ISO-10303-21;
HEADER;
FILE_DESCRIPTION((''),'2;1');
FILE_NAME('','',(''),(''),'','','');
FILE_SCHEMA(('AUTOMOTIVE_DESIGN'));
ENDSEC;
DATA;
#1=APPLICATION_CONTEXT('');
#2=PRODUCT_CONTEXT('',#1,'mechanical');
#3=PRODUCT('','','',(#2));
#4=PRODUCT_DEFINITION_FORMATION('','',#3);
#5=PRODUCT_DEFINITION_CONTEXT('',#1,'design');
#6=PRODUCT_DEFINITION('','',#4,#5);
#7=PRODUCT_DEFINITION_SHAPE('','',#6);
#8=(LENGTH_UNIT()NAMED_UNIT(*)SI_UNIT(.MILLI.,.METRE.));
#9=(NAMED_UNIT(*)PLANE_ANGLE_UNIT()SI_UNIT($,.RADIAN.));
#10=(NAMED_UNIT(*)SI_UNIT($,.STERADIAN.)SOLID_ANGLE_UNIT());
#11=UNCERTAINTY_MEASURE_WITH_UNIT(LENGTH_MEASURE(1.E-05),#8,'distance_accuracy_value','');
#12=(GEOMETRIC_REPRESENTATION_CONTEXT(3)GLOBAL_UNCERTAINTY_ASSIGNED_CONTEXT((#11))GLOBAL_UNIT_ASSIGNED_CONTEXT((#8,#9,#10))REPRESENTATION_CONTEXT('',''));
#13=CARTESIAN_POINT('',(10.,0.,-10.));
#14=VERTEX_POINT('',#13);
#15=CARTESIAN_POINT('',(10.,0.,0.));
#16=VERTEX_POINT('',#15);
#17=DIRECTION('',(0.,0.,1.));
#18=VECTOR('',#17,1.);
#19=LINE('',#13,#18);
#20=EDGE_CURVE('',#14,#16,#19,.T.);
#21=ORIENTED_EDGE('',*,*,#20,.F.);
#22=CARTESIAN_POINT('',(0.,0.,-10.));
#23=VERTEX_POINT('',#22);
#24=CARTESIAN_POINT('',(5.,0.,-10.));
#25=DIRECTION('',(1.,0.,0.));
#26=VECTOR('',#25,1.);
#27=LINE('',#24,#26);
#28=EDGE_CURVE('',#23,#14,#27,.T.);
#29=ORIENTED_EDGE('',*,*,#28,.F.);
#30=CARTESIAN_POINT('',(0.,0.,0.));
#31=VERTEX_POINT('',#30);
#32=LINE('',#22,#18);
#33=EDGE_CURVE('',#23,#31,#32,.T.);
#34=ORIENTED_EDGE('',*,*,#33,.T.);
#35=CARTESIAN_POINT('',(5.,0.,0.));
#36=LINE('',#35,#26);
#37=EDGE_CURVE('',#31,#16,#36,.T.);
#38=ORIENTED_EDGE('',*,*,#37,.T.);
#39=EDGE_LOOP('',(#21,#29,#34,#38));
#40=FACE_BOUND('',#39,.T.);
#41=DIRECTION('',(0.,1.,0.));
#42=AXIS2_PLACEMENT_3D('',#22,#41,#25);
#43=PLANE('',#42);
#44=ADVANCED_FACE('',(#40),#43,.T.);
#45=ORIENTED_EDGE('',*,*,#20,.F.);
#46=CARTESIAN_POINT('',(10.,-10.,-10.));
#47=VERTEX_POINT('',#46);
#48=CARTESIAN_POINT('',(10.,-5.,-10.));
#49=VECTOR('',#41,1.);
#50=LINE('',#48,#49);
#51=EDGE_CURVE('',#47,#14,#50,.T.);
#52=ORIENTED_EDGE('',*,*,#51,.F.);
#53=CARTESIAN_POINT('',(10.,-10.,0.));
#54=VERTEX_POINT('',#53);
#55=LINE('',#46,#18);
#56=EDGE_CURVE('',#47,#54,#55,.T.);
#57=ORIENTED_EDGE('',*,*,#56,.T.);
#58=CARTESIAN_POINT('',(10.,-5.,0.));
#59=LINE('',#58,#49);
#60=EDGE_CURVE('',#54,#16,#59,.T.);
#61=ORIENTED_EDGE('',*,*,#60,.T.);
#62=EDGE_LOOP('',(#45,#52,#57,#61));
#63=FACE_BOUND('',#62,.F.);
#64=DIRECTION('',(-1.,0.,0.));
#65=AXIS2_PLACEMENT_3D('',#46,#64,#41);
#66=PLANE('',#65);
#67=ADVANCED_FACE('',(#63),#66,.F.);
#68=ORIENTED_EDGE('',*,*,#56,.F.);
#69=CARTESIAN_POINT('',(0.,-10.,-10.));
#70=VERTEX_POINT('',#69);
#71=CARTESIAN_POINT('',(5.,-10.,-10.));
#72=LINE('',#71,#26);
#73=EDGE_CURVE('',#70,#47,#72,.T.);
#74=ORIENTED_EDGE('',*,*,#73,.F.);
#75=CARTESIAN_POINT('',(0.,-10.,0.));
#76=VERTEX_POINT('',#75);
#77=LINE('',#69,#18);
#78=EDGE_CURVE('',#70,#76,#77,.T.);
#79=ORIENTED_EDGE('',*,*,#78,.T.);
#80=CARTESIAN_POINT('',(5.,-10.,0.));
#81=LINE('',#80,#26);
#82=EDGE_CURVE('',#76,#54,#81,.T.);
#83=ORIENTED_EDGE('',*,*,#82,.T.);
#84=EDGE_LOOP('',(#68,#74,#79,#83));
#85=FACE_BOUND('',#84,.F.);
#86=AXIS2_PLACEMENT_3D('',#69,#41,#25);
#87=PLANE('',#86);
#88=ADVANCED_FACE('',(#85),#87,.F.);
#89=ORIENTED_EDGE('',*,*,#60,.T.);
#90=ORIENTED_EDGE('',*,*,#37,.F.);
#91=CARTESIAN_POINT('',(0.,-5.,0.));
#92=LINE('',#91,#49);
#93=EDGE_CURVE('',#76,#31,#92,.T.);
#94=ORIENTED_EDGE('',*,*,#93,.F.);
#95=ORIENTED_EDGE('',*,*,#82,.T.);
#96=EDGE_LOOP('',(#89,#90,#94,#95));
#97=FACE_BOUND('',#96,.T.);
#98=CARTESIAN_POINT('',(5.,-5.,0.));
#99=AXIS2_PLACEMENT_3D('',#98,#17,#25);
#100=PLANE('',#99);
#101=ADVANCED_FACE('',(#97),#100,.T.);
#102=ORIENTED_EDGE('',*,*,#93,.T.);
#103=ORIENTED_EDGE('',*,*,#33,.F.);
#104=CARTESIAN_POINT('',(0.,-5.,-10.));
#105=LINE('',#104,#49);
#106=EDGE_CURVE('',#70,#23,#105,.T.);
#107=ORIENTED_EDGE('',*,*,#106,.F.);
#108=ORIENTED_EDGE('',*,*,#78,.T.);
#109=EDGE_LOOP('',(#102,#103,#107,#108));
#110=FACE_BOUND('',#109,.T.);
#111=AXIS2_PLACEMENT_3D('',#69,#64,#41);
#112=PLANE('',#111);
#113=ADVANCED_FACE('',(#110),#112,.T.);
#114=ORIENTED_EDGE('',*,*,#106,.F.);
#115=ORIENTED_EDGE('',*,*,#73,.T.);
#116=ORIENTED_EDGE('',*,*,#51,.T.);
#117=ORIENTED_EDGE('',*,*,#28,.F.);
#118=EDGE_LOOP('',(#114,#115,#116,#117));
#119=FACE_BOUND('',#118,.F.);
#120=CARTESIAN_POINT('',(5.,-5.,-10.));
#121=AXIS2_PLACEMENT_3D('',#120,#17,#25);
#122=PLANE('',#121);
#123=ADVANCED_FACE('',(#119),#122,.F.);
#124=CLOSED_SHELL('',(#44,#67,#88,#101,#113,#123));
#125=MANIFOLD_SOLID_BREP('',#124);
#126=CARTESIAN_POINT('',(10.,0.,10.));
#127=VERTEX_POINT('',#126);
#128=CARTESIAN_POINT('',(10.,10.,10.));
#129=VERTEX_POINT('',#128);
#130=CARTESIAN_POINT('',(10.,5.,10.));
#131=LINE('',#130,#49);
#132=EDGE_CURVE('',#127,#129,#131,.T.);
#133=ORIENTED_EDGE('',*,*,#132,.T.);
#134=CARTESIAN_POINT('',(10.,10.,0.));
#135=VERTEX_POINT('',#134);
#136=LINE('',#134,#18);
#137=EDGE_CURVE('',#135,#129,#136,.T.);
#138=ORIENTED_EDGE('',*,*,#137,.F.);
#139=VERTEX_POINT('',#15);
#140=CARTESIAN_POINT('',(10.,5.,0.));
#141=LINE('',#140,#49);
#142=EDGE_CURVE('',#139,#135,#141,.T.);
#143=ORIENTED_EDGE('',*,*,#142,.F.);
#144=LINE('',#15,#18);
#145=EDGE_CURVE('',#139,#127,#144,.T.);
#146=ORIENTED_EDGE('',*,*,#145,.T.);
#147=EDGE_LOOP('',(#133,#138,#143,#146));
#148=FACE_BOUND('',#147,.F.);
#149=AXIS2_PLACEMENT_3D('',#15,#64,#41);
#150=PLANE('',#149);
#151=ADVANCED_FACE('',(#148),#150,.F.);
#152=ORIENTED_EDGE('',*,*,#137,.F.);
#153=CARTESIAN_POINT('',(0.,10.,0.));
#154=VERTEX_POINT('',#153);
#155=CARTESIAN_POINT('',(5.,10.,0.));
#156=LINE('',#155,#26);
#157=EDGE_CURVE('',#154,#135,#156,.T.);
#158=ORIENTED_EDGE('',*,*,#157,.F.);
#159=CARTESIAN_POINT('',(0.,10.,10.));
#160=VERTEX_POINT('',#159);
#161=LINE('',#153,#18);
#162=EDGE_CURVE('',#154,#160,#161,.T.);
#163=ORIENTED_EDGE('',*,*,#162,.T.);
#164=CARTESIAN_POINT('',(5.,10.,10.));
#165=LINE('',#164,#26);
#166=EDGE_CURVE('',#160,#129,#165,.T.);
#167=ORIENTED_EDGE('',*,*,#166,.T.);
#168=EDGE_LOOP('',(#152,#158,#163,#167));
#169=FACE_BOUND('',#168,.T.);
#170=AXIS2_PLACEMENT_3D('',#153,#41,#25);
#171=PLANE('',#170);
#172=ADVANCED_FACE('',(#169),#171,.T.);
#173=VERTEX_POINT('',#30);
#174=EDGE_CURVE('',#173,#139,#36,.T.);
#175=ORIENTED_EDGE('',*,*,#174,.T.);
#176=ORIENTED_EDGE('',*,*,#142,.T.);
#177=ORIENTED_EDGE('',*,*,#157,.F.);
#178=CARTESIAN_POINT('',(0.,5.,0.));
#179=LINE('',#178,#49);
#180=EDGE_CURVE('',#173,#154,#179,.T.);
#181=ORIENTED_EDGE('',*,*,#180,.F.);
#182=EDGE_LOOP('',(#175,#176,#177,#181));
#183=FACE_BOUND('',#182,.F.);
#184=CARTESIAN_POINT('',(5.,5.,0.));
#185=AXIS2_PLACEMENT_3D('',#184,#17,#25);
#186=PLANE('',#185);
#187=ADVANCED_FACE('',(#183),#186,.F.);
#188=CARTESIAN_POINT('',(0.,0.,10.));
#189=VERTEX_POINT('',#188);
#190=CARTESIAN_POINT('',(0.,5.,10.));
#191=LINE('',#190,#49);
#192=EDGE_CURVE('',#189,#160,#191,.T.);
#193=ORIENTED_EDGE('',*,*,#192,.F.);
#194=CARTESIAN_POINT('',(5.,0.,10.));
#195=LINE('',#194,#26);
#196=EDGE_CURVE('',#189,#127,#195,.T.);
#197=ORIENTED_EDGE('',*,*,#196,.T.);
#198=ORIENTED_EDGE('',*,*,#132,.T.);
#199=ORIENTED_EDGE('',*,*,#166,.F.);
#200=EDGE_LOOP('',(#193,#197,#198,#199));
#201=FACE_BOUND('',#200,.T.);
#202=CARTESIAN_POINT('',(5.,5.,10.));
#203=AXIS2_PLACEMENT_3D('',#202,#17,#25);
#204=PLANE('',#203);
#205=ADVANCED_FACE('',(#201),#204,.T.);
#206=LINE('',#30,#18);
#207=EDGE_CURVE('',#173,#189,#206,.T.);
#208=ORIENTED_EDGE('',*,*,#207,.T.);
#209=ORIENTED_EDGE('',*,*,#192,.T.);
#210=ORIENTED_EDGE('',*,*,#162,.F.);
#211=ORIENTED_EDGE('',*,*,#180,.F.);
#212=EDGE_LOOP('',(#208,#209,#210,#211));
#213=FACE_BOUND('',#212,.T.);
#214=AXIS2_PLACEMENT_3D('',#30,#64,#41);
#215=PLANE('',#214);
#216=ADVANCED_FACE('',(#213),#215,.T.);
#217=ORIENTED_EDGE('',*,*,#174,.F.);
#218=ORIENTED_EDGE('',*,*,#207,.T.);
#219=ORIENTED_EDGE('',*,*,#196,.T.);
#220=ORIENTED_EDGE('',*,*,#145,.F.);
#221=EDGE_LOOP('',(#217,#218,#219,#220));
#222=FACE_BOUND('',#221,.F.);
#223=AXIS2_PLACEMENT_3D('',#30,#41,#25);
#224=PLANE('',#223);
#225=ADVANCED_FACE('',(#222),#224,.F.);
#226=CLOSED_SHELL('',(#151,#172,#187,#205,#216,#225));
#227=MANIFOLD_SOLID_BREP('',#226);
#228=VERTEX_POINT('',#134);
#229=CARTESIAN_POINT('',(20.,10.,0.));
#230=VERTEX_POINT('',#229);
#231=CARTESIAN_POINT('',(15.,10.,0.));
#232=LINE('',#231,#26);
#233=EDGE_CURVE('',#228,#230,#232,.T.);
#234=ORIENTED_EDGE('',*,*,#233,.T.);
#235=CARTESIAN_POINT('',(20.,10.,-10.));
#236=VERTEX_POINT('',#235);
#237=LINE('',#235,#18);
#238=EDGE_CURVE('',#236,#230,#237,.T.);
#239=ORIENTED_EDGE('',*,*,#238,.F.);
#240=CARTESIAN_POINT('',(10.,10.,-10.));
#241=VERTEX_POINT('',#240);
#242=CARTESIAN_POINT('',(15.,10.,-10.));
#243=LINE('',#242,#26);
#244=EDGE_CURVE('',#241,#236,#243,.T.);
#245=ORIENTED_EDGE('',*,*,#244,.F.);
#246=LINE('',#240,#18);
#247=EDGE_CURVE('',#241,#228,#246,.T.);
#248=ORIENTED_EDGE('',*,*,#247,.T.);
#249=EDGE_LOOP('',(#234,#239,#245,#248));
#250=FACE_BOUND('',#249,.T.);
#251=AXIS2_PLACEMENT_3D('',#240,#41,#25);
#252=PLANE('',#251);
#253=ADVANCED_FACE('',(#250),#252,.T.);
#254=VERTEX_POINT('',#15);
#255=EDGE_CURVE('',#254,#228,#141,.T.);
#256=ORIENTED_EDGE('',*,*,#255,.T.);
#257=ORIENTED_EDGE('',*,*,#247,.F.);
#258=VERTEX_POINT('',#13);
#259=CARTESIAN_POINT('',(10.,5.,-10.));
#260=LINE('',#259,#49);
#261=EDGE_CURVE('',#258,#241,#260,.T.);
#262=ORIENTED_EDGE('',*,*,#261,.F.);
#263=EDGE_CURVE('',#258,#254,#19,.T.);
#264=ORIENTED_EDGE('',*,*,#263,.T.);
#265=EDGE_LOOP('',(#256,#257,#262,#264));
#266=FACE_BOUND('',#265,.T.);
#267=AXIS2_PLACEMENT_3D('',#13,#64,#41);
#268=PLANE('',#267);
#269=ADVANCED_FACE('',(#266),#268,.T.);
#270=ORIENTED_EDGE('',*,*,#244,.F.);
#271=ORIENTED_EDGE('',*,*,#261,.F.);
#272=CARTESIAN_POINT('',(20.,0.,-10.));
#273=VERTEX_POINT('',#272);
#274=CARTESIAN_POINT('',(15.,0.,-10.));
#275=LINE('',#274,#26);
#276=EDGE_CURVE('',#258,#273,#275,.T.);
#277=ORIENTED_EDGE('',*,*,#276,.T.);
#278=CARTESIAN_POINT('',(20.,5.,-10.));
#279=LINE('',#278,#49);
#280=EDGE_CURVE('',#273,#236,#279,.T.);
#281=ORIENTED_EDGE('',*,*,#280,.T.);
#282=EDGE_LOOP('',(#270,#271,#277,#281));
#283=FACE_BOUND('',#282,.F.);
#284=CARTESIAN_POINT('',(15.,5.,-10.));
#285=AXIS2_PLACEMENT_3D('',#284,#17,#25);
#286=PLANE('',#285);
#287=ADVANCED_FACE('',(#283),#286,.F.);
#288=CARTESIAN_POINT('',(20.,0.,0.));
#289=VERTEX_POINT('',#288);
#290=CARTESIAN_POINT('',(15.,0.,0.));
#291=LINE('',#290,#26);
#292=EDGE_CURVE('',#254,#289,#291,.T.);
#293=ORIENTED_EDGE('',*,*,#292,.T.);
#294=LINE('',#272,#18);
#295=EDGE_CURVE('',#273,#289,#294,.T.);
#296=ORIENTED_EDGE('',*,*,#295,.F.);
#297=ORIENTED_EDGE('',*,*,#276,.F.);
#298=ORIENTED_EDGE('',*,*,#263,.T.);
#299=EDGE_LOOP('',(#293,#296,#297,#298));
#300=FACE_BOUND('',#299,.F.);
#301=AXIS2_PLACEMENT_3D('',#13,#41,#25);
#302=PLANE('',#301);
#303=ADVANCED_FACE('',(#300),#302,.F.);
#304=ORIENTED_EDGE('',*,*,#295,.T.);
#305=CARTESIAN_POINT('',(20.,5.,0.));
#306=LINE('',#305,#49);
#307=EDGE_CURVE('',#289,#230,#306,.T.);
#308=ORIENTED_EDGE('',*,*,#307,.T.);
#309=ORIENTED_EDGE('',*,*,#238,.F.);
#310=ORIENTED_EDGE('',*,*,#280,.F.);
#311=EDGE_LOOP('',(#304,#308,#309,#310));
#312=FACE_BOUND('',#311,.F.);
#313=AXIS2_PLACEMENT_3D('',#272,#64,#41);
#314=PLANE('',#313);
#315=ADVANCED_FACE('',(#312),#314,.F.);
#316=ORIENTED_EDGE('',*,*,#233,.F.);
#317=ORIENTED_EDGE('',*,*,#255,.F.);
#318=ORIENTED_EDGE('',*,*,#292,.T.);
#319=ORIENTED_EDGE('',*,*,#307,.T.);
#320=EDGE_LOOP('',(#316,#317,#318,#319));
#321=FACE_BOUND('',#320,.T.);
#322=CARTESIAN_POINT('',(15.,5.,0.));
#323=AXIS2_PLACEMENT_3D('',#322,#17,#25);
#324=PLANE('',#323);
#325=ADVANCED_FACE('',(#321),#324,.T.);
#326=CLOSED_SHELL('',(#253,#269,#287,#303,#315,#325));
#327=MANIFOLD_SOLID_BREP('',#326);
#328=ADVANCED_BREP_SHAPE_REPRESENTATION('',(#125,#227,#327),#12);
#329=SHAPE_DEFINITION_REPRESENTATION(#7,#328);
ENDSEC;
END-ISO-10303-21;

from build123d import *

# Parameters (mm, degrees)
BOX_W        = 10
BOX_H        = 10
BOX_DEPTH    = 10
BOX001_W     = 10
BOX001_H     = 10
BOX001_DEPTH = 10
BOX002_W     = 10
BOX002_H     = 10
BOX002_DEPTH = 10


with BuildPart() as nivel1_cubo1:
    # Box → Box (new body)
    with BuildSketch(Plane.XY):
        with Locations((5, 5)):
            Rectangle(BOX_W, BOX_H)
    extrude(amount=BOX_DEPTH)


with BuildPart() as nivel2_cubo1:
    # Box001 → Box001 (new body)
    with BuildSketch(Plane(origin=(0, -10, -10), x_dir=(1, 0, 0), z_dir=(0, 0, 1))):
        with Locations((5, 5)):
            Rectangle(BOX001_W, BOX001_H)
    extrude(amount=BOX001_DEPTH)


with BuildPart() as nivel2_cubo2:
    # Box002 → Box002 (new body)
    with BuildSketch(Plane(origin=(10, 0, -10), x_dir=(1, 0, 0), z_dir=(0, 0, 1))):
        with Locations((5, 5)):
            Rectangle(BOX002_W, BOX002_H)
    extrude(amount=BOX002_DEPTH)


solid = Compound([nivel1_cubo1.part, nivel2_cubo1.part, nivel2_cubo2.part])
